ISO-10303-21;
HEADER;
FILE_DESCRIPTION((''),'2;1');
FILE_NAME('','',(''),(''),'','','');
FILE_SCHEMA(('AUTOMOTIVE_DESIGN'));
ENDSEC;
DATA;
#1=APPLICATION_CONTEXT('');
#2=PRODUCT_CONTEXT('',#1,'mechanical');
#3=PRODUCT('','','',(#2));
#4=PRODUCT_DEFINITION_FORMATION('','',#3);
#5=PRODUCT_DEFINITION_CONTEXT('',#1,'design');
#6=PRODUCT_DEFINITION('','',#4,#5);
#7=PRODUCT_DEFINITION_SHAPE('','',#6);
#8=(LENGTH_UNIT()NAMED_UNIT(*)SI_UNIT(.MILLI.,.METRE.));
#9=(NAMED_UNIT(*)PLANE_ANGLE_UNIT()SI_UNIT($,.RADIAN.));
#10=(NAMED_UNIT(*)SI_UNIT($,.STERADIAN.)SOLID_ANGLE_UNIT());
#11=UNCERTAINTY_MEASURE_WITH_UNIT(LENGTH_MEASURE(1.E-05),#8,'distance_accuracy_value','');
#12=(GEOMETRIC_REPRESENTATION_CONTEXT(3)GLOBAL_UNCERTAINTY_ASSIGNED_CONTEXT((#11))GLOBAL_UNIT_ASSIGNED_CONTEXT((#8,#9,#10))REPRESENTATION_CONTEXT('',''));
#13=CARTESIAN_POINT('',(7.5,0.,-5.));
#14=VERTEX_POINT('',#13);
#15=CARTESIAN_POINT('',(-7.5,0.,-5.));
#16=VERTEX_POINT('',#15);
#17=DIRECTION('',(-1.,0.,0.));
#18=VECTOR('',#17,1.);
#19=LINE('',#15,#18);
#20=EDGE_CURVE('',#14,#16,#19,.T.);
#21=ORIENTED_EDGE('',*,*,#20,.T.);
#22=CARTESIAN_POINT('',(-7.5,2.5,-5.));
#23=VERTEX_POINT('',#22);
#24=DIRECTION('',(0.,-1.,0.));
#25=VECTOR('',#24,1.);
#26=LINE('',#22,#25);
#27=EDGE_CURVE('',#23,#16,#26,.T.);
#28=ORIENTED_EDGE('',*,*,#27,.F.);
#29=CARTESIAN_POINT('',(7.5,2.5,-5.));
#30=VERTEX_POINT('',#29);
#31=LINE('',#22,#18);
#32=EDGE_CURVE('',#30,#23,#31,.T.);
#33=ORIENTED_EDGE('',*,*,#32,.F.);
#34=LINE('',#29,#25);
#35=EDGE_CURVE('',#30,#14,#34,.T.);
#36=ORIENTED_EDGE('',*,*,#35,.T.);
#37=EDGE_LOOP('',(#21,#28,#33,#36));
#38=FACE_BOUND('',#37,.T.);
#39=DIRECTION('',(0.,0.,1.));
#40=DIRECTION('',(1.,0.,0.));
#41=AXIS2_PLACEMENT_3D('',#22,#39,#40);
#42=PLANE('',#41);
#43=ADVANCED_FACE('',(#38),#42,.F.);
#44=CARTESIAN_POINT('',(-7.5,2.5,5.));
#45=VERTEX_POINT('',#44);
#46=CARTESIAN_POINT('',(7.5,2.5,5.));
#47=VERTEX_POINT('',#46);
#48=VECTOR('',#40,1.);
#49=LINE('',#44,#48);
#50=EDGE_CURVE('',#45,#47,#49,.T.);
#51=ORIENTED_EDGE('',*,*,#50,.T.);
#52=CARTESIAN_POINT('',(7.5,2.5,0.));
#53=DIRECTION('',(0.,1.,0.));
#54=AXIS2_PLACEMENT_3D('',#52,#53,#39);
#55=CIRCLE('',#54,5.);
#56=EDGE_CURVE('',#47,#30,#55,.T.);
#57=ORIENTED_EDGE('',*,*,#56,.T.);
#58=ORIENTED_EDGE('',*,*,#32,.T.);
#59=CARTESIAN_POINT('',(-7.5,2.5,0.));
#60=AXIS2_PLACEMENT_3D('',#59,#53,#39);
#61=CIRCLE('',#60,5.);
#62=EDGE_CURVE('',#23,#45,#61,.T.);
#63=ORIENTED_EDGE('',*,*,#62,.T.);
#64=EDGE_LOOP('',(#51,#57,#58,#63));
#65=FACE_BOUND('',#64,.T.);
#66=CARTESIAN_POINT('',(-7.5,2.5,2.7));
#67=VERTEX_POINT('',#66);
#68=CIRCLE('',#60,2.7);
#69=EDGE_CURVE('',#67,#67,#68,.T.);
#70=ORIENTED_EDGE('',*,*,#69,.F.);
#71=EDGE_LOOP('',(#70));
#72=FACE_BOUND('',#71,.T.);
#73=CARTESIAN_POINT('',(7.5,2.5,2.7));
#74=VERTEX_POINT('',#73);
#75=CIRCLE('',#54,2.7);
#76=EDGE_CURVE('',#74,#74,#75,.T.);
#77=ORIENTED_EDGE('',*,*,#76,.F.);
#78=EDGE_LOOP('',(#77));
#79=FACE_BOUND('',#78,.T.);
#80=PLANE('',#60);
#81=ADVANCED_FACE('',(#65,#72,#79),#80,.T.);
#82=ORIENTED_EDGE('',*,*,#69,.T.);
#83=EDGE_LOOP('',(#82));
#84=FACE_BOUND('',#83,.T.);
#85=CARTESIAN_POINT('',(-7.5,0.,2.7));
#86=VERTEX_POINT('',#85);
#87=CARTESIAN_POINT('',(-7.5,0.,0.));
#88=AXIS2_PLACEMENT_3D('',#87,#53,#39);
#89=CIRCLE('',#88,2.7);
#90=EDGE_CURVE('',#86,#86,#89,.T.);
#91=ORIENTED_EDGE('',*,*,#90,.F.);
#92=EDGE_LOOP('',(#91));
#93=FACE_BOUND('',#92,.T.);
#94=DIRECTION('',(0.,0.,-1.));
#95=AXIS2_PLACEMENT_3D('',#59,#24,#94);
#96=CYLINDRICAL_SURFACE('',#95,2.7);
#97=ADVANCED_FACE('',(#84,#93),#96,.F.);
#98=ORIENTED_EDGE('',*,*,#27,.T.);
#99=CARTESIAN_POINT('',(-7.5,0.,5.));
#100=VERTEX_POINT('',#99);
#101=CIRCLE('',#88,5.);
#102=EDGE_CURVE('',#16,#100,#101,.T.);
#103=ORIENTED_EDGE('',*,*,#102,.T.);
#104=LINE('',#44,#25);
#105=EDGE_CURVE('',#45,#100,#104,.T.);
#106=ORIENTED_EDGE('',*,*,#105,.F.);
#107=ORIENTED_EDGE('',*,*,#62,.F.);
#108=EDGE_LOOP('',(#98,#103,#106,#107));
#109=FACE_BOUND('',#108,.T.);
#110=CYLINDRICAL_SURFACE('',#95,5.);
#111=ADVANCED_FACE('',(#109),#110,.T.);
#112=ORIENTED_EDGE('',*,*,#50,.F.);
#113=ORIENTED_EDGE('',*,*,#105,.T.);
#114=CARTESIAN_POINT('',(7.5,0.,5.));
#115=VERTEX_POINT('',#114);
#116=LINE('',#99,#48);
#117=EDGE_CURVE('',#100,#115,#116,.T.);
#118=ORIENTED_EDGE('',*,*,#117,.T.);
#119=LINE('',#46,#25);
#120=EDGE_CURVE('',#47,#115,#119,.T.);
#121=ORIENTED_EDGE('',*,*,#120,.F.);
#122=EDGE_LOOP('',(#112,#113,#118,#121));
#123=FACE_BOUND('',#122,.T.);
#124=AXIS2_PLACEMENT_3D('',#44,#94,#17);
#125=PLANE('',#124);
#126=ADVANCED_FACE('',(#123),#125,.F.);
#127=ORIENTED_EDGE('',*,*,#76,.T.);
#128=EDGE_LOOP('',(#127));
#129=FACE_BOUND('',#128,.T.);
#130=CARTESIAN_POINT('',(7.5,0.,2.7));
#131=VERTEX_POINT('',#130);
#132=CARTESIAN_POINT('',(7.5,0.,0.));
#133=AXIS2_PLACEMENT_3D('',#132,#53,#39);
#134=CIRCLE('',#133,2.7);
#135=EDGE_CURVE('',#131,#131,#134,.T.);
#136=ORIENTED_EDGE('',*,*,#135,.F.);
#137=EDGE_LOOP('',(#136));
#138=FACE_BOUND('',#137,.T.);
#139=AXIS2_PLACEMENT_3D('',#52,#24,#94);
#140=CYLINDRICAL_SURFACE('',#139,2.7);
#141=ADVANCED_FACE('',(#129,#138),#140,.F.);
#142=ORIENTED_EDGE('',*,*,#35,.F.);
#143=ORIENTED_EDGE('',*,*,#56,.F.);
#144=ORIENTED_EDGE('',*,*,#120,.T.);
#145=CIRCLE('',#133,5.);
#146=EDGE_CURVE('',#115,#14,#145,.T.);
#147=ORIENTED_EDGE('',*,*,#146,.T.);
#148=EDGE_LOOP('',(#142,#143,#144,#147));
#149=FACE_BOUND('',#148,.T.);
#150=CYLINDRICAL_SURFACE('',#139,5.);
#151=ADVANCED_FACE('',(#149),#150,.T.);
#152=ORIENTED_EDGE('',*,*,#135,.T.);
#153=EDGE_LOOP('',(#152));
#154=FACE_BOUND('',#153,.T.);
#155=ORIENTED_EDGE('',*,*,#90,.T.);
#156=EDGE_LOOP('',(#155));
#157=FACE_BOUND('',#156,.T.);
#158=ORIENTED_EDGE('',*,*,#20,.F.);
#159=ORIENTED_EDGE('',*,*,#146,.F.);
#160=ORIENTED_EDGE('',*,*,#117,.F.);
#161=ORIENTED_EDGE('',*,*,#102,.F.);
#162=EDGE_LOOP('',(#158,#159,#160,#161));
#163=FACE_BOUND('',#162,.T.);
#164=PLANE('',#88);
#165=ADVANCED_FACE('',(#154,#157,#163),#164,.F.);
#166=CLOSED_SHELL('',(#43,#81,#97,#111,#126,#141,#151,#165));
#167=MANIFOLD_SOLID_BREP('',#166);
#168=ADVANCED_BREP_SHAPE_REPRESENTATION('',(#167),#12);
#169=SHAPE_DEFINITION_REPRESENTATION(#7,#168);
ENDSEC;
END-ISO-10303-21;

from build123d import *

# Parameters (mm, degrees)
SKETCH1_R           = 2.7
BOSS_EXTRUDE1_DEPTH = 2.5


with BuildPart() as part:
    # Sketch1 → Boss-Extrude1 (new body)
    with BuildSketch(Plane(origin=(0, 0, 0), x_dir=(1, 0, 0), z_dir=(0, 1, 0))):
        with BuildLine():
            Line((-7.5, 5), (7.5, 5))
            ThreePointArc((7.5, 5), (12.5, 0), (7.5, -5))
            Line((7.5, -5), (-7.5, -5))
            ThreePointArc((-7.5, -5), (-12.5, 0), (-7.5, 5))
        make_face()
        with Locations(Location((-7.5, 0, 0), (0, 0, 270))):
            Circle(SKETCH1_R, mode=Mode.SUBTRACT)
        with Locations(Location((7.5, 0, 0), (0, 0, 270))):
            Circle(SKETCH1_R, mode=Mode.SUBTRACT)
    extrude(amount=BOSS_EXTRUDE1_DEPTH)


solid = part.part
